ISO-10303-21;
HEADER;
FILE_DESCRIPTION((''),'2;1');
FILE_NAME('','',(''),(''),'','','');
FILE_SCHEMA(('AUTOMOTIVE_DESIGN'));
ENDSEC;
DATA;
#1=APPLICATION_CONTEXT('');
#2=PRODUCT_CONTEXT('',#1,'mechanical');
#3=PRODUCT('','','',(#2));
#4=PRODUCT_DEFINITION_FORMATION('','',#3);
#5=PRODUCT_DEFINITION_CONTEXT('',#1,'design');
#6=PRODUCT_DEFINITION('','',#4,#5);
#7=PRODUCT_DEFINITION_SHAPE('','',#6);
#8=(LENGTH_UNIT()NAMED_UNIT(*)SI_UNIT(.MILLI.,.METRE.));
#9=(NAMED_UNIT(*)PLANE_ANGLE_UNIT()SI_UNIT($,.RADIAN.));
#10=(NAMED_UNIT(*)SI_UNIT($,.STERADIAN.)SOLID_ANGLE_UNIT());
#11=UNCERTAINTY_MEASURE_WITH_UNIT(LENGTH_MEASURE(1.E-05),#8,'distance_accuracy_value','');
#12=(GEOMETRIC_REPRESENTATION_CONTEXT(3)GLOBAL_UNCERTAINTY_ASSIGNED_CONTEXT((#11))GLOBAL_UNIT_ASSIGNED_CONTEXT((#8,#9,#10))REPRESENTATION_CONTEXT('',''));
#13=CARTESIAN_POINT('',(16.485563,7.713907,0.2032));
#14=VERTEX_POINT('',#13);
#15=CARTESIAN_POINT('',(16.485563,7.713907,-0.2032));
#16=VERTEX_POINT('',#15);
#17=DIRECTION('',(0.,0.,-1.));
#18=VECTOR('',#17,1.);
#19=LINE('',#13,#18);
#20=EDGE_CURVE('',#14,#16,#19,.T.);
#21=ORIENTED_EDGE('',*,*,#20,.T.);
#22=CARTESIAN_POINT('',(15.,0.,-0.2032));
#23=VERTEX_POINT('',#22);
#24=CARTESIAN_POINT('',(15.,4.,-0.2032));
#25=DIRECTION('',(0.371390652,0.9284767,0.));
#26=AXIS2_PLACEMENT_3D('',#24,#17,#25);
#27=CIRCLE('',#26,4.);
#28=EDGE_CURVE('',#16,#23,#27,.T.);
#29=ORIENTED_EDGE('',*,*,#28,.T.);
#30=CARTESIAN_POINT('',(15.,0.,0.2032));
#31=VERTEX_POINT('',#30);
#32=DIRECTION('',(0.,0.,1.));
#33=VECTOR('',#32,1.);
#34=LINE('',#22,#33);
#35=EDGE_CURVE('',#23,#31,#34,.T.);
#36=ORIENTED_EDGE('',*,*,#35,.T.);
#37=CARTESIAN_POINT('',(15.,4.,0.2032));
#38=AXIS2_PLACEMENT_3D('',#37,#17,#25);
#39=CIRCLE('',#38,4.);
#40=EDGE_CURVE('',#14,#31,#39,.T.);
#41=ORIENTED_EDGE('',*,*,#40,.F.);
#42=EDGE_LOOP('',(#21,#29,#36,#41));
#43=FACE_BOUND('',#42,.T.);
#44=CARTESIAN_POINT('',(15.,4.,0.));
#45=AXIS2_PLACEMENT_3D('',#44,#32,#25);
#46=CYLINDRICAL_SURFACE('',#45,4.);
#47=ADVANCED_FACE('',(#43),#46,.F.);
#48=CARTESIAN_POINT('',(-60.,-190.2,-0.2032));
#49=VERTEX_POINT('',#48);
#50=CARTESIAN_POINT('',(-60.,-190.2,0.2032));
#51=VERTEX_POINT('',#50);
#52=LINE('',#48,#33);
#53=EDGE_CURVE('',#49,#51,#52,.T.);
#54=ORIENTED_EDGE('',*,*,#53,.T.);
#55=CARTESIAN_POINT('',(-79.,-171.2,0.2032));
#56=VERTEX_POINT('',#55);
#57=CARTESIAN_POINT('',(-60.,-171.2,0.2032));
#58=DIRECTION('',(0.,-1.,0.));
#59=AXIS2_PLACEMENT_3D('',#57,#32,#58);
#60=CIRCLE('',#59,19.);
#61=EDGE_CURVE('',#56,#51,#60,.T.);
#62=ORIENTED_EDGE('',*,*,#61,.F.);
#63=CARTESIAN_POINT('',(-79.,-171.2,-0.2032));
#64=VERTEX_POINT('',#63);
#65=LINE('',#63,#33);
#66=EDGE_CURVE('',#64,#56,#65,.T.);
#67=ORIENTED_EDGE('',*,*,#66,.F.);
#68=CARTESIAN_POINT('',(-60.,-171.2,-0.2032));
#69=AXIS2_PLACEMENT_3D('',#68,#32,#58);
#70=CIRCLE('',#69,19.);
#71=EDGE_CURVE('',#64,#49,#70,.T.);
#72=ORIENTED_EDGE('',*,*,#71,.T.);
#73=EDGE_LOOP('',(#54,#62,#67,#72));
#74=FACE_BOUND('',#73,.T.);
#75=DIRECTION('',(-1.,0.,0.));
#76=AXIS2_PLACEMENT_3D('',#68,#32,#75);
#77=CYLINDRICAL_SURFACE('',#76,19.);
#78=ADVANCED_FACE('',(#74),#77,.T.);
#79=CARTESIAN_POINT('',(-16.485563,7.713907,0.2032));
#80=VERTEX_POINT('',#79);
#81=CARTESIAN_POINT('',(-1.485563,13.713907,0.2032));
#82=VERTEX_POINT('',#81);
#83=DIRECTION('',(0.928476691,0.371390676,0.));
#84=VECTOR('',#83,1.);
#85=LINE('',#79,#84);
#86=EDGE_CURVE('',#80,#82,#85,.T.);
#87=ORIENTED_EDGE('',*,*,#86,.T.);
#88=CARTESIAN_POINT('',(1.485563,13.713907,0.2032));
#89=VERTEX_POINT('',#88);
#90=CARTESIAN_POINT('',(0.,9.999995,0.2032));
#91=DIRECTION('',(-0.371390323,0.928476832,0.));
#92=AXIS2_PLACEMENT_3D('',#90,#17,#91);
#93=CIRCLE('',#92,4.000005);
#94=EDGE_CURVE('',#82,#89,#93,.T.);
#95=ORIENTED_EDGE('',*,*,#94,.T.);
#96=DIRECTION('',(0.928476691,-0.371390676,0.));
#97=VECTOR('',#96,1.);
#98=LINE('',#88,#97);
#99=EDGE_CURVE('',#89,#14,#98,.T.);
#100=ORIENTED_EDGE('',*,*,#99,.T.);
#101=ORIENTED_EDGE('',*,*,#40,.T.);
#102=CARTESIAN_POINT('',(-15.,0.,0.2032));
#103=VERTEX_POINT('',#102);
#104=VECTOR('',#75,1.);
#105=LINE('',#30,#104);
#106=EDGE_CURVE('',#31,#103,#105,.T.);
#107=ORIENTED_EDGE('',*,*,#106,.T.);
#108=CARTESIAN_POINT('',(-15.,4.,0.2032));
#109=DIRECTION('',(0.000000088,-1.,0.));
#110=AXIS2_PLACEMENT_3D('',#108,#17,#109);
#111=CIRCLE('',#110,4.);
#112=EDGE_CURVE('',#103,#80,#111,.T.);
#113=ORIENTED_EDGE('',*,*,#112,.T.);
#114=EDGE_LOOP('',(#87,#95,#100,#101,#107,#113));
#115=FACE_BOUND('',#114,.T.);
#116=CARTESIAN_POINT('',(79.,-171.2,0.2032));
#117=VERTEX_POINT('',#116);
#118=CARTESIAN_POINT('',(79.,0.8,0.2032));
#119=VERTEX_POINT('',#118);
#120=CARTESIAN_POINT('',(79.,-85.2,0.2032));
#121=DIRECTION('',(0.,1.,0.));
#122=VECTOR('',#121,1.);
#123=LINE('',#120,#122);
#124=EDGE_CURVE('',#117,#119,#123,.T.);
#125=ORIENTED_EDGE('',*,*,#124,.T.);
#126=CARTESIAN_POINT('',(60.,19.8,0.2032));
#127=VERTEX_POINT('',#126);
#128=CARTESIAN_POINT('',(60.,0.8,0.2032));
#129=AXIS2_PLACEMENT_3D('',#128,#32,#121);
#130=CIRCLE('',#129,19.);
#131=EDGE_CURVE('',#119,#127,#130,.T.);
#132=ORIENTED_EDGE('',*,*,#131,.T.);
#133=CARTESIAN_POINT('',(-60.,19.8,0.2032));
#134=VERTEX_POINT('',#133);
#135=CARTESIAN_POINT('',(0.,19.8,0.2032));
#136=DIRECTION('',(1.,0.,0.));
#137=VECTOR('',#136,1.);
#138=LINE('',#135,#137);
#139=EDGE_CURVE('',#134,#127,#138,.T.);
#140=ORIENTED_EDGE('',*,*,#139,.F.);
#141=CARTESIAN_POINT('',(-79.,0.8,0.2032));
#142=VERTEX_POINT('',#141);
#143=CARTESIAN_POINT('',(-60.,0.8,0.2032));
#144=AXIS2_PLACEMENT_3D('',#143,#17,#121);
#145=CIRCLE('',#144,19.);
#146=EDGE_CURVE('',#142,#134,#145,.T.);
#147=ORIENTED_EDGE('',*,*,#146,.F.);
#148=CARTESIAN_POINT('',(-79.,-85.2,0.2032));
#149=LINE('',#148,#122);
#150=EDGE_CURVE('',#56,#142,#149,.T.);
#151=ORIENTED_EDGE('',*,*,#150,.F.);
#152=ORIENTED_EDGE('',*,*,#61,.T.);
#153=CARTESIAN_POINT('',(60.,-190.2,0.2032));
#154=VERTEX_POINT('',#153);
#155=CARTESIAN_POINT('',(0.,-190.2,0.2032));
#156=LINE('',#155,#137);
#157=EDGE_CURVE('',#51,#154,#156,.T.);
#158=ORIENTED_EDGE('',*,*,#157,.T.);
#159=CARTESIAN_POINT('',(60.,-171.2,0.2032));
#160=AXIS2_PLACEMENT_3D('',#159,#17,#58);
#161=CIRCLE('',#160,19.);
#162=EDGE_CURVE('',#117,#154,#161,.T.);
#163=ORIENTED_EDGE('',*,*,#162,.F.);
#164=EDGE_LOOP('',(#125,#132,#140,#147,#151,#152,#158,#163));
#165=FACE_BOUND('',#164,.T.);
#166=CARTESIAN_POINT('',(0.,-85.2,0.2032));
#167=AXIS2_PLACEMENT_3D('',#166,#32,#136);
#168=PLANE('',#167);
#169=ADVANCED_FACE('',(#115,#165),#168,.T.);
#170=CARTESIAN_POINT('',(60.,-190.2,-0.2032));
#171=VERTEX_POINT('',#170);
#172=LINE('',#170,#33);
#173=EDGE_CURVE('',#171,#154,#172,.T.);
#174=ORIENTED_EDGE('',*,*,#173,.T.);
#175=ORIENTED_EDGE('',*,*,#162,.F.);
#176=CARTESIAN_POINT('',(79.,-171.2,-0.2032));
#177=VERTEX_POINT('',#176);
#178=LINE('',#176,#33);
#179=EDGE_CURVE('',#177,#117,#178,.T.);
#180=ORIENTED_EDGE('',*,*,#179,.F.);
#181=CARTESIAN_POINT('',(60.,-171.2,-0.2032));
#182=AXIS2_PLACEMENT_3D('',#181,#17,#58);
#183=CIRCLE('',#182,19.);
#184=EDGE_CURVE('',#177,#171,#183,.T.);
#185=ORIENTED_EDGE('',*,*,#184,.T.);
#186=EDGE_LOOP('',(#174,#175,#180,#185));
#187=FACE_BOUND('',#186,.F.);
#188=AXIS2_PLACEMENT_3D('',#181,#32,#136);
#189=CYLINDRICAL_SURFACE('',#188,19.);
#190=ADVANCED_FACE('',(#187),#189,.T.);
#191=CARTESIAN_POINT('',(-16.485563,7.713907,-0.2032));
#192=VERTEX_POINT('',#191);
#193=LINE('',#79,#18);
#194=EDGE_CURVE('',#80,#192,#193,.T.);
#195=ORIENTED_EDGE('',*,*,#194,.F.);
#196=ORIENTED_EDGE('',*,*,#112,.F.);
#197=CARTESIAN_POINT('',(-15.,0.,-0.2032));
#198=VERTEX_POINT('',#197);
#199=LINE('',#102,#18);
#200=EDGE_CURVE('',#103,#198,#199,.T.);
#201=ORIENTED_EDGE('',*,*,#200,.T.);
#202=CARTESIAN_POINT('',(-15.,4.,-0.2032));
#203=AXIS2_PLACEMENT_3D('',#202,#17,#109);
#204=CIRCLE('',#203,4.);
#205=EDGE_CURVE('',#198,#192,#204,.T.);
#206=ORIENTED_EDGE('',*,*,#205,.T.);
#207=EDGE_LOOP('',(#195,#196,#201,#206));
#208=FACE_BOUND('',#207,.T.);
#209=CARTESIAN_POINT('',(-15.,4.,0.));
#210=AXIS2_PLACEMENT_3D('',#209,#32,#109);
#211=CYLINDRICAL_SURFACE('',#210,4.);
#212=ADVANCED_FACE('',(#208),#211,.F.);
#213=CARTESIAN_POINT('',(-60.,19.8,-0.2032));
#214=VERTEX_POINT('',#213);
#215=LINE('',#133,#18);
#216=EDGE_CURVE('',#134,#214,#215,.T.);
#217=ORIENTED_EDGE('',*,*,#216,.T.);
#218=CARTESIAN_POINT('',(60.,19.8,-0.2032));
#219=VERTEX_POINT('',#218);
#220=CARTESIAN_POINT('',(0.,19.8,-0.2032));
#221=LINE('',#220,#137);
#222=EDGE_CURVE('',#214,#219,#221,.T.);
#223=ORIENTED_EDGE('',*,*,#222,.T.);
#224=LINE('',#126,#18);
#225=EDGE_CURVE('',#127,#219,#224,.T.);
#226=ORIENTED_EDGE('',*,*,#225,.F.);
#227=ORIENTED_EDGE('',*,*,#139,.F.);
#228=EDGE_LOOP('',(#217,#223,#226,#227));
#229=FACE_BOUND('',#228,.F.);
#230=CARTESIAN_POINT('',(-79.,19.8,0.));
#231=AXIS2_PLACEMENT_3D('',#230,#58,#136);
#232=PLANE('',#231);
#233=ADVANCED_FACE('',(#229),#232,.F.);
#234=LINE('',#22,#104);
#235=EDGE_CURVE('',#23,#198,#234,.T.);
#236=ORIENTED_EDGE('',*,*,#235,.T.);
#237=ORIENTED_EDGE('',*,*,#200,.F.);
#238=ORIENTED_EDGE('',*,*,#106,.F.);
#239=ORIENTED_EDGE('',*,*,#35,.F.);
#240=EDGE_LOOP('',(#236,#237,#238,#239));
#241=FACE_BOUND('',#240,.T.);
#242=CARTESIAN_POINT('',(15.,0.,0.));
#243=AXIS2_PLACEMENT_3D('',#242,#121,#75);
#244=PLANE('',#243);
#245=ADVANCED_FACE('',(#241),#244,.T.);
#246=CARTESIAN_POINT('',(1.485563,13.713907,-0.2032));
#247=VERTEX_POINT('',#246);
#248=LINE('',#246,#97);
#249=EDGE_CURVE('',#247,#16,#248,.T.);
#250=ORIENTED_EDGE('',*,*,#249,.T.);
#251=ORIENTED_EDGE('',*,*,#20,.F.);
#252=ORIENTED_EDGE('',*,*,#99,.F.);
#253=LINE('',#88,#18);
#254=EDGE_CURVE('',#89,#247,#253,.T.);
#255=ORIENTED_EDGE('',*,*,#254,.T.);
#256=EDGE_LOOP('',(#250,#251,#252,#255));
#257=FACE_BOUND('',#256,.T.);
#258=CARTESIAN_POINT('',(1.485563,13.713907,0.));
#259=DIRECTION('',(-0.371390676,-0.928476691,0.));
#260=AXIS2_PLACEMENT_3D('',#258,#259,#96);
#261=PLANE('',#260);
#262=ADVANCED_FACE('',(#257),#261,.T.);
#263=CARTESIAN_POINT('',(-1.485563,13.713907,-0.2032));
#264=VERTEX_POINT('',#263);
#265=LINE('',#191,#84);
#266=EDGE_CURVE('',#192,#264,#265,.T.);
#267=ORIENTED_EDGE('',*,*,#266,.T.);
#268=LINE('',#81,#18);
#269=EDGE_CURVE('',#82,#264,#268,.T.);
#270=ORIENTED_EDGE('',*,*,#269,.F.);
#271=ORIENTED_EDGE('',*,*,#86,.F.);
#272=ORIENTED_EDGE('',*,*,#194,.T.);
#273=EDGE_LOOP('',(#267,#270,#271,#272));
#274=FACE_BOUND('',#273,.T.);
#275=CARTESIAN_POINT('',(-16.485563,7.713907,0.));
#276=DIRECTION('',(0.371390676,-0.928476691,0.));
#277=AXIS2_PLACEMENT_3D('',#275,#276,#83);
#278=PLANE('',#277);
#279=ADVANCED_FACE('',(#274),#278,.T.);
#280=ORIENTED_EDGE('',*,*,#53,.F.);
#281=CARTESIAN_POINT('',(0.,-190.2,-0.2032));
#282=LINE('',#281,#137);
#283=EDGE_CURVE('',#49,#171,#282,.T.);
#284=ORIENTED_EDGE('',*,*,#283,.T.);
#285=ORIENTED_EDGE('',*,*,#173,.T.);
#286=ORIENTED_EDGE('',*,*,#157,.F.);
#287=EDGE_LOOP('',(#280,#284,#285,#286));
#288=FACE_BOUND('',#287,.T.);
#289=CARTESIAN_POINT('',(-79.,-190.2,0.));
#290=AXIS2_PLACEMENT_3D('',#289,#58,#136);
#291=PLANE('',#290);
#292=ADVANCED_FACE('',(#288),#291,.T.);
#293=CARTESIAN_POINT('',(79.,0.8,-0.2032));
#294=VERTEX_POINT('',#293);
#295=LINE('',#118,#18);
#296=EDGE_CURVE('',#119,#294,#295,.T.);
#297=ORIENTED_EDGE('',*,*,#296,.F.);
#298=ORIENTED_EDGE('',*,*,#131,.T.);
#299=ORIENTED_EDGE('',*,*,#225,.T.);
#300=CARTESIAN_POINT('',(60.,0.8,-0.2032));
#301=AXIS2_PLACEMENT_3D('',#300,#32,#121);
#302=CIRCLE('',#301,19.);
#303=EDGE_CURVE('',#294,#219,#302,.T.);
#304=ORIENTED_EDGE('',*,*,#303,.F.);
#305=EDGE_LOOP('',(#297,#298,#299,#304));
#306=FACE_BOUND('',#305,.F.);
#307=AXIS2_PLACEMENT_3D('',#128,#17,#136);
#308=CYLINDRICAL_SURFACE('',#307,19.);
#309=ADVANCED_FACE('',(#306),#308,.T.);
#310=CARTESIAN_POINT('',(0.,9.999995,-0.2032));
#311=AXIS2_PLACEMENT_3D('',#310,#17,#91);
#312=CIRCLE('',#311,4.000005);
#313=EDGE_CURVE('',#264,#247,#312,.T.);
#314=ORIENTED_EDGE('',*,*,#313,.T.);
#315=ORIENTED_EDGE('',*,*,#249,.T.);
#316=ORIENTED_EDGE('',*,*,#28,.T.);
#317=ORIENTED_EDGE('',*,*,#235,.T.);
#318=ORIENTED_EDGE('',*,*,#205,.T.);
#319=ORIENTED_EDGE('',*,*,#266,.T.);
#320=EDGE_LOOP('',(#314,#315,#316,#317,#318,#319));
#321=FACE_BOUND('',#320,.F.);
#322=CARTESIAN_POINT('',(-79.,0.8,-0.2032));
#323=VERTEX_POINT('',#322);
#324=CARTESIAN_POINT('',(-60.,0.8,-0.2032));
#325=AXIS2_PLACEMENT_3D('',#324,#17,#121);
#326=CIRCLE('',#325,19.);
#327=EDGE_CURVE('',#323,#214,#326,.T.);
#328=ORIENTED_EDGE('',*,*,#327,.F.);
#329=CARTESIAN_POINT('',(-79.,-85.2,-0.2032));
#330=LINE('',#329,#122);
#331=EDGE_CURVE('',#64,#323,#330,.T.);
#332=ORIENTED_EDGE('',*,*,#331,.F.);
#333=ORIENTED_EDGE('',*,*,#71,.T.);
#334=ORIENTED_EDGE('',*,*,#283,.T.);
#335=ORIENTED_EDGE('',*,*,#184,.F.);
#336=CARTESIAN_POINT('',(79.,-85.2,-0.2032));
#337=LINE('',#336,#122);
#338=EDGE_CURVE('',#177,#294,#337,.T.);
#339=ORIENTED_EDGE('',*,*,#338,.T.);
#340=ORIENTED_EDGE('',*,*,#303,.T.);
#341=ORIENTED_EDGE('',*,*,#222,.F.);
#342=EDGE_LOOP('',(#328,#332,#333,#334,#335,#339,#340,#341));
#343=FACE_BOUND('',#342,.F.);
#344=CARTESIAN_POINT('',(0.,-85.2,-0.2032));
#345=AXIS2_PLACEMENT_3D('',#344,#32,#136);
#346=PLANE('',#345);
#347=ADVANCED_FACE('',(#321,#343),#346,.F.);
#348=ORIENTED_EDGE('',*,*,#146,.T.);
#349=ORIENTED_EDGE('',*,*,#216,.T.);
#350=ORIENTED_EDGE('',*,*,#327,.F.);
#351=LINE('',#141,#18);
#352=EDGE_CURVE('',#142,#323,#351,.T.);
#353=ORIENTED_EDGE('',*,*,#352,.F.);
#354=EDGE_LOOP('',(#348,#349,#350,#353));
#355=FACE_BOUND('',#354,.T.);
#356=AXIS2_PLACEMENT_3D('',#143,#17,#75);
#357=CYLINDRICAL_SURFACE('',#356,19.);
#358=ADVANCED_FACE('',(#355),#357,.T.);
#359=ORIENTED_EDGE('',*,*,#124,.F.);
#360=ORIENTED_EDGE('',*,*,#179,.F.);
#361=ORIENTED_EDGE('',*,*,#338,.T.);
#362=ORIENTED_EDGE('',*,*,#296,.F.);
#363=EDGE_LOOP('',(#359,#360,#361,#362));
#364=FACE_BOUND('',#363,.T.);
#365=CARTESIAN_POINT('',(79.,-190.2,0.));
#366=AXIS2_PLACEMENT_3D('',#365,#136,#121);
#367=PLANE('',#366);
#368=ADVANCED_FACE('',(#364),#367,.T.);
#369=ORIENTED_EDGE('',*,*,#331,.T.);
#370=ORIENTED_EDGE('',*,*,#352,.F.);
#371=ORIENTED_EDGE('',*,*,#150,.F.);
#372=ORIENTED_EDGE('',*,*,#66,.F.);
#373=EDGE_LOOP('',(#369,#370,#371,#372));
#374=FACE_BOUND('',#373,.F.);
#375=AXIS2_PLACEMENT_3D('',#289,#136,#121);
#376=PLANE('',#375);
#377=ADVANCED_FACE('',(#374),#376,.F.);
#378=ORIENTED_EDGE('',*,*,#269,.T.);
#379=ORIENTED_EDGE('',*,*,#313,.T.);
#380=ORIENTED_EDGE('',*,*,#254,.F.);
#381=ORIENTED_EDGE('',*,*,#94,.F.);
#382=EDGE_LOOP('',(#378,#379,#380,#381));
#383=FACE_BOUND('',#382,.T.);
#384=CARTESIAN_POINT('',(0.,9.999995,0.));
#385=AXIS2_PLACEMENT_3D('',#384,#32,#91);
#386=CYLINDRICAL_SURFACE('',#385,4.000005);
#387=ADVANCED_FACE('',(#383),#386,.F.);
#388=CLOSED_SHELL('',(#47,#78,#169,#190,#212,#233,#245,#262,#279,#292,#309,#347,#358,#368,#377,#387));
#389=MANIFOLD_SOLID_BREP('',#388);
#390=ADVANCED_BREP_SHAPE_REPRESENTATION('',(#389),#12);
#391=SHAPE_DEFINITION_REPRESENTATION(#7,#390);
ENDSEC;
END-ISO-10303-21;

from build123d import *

# Parameters (mm, degrees)
F0_W     = 158
F0_H     = 210
F1_DEPTH = 0.2032
F2_R     = 19


with BuildPart() as f1:
    # F0 (on Top) → F1 (new body, symmetric)
    with BuildSketch(Plane.XY):
        with Locations((0, -85.2)):
            Rectangle(F0_W, F0_H)
        with BuildLine():
            Line((15, 0), (-15, 0))
            ThreePointArc((-15, 0), (-18.927826, 3.24357), (-16.485563, 7.713907))
            Line((-16.485563, 7.713907), (-1.485563, 13.713907))
            ThreePointArc((-1.485563, 13.713907), (0, 14), (1.485563, 13.713907))
            Line((1.485563, 13.713907), (16.485563, 7.713907))
            ThreePointArc((16.485563, 7.713907), (18.927826, 3.24357), (15, 0))
        make_face(mode=Mode.SUBTRACT)
    extrude(amount=F1_DEPTH, both=True)

    # F2
    f2_edges = [f1.edges().sort_by_distance(p)[0] for p in [
        (79, 19.8, 0),
        (-79, 19.8, 0),
        (79, -190.2, 0),
        (-79, -190.2, 0),
    ]]
    fillet(f2_edges, radius=F2_R)


solid = f1.part
